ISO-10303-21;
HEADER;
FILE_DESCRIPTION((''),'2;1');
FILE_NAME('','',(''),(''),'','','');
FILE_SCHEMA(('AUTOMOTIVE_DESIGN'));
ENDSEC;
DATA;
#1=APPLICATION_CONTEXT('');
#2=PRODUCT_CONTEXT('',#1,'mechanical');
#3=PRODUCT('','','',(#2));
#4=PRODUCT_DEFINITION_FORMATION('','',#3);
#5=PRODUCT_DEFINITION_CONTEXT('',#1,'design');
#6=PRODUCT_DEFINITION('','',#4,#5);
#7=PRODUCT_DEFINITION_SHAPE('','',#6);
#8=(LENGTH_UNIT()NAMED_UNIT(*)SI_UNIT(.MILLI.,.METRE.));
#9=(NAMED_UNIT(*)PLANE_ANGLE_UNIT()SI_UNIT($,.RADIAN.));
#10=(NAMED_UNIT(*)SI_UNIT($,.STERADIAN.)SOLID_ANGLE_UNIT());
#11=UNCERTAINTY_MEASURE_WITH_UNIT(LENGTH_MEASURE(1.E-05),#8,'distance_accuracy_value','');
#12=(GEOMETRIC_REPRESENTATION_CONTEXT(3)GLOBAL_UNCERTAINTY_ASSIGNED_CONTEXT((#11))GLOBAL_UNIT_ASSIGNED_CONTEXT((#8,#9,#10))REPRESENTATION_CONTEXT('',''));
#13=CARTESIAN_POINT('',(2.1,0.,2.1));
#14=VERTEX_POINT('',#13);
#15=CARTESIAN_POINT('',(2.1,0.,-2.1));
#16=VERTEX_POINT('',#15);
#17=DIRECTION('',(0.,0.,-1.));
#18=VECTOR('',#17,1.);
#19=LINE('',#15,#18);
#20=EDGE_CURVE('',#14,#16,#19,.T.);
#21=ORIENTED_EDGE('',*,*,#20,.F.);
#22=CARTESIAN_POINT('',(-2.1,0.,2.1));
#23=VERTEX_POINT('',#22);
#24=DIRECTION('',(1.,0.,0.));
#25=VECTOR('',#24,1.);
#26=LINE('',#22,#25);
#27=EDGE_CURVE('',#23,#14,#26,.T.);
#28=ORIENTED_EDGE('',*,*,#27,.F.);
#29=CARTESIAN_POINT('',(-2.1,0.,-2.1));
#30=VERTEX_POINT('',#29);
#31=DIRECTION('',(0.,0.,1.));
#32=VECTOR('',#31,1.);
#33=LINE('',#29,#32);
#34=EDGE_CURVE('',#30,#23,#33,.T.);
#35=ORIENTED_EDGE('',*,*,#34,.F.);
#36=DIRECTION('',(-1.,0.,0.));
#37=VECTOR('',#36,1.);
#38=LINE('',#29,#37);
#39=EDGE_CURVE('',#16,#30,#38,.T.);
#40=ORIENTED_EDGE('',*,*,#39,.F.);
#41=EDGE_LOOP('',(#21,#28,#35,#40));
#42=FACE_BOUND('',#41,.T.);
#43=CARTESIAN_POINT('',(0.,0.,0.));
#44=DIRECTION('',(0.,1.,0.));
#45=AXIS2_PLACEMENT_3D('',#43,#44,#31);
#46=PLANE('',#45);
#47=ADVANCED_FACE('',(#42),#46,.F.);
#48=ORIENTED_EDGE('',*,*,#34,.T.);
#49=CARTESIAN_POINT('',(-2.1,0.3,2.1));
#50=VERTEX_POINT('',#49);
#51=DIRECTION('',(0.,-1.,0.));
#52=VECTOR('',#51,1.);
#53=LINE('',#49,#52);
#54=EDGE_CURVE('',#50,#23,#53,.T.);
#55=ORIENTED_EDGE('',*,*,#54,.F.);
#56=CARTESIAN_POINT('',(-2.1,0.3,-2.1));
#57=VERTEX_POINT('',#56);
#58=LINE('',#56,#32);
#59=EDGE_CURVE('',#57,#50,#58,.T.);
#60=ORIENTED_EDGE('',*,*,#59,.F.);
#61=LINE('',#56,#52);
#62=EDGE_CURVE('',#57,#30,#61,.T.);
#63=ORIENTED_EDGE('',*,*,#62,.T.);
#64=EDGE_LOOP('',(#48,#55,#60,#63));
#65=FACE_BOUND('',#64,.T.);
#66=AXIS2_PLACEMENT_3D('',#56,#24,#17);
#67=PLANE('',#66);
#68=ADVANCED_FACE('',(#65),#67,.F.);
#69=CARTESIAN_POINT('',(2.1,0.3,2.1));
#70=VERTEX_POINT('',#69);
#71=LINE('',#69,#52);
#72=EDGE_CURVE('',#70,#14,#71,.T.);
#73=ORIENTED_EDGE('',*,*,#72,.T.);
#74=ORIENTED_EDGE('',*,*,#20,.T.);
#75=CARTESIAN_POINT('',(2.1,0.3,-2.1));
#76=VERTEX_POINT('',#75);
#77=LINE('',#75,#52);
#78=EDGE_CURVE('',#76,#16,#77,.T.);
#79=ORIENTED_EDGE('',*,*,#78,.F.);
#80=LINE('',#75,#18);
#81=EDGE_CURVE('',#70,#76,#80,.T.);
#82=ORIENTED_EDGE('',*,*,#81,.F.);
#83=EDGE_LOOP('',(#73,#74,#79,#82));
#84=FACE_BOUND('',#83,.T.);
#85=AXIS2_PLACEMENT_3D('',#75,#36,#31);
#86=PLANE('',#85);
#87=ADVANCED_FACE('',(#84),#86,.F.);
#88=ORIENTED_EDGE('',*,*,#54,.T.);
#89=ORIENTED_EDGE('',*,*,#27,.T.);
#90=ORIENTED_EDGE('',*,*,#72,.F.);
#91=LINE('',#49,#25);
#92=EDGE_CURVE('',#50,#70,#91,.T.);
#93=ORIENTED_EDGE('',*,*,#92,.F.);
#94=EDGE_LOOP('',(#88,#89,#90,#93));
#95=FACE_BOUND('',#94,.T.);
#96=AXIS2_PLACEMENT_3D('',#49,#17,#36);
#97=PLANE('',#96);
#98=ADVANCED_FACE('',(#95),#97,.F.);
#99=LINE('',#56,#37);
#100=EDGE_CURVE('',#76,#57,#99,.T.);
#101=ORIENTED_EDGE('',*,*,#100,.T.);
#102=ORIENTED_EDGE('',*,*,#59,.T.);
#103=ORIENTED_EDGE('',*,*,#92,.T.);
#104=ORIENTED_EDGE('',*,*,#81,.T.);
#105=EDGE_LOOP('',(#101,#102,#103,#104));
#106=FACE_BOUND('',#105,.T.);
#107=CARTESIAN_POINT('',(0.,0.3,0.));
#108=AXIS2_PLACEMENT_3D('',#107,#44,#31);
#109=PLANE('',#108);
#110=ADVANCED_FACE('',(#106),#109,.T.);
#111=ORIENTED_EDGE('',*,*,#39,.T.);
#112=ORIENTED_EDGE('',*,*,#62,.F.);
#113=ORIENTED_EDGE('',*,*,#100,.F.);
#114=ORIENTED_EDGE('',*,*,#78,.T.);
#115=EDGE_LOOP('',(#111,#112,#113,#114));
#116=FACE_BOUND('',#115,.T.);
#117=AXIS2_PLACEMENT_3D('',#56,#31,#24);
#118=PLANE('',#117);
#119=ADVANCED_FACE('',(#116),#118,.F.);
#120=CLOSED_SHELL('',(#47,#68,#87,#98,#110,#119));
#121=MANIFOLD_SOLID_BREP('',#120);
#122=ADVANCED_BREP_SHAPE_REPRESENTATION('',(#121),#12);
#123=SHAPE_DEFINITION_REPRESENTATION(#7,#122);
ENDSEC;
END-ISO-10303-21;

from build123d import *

# Parameters (mm, degrees)
SKETCH_1_W      = 4.2
SKETCH_1_H      = 4.2
EXTRUDE_1_DEPTH = 0.3


with BuildPart() as part:
    # 草图1 → 凸台-拉伸1 (new body)
    with BuildSketch(Plane(origin=(0, 0, 0), x_dir=(1, 0, 0), z_dir=(0, 1, 0))):
        Rectangle(SKETCH_1_W, SKETCH_1_H)
    extrude(amount=EXTRUDE_1_DEPTH)


solid = part.part
